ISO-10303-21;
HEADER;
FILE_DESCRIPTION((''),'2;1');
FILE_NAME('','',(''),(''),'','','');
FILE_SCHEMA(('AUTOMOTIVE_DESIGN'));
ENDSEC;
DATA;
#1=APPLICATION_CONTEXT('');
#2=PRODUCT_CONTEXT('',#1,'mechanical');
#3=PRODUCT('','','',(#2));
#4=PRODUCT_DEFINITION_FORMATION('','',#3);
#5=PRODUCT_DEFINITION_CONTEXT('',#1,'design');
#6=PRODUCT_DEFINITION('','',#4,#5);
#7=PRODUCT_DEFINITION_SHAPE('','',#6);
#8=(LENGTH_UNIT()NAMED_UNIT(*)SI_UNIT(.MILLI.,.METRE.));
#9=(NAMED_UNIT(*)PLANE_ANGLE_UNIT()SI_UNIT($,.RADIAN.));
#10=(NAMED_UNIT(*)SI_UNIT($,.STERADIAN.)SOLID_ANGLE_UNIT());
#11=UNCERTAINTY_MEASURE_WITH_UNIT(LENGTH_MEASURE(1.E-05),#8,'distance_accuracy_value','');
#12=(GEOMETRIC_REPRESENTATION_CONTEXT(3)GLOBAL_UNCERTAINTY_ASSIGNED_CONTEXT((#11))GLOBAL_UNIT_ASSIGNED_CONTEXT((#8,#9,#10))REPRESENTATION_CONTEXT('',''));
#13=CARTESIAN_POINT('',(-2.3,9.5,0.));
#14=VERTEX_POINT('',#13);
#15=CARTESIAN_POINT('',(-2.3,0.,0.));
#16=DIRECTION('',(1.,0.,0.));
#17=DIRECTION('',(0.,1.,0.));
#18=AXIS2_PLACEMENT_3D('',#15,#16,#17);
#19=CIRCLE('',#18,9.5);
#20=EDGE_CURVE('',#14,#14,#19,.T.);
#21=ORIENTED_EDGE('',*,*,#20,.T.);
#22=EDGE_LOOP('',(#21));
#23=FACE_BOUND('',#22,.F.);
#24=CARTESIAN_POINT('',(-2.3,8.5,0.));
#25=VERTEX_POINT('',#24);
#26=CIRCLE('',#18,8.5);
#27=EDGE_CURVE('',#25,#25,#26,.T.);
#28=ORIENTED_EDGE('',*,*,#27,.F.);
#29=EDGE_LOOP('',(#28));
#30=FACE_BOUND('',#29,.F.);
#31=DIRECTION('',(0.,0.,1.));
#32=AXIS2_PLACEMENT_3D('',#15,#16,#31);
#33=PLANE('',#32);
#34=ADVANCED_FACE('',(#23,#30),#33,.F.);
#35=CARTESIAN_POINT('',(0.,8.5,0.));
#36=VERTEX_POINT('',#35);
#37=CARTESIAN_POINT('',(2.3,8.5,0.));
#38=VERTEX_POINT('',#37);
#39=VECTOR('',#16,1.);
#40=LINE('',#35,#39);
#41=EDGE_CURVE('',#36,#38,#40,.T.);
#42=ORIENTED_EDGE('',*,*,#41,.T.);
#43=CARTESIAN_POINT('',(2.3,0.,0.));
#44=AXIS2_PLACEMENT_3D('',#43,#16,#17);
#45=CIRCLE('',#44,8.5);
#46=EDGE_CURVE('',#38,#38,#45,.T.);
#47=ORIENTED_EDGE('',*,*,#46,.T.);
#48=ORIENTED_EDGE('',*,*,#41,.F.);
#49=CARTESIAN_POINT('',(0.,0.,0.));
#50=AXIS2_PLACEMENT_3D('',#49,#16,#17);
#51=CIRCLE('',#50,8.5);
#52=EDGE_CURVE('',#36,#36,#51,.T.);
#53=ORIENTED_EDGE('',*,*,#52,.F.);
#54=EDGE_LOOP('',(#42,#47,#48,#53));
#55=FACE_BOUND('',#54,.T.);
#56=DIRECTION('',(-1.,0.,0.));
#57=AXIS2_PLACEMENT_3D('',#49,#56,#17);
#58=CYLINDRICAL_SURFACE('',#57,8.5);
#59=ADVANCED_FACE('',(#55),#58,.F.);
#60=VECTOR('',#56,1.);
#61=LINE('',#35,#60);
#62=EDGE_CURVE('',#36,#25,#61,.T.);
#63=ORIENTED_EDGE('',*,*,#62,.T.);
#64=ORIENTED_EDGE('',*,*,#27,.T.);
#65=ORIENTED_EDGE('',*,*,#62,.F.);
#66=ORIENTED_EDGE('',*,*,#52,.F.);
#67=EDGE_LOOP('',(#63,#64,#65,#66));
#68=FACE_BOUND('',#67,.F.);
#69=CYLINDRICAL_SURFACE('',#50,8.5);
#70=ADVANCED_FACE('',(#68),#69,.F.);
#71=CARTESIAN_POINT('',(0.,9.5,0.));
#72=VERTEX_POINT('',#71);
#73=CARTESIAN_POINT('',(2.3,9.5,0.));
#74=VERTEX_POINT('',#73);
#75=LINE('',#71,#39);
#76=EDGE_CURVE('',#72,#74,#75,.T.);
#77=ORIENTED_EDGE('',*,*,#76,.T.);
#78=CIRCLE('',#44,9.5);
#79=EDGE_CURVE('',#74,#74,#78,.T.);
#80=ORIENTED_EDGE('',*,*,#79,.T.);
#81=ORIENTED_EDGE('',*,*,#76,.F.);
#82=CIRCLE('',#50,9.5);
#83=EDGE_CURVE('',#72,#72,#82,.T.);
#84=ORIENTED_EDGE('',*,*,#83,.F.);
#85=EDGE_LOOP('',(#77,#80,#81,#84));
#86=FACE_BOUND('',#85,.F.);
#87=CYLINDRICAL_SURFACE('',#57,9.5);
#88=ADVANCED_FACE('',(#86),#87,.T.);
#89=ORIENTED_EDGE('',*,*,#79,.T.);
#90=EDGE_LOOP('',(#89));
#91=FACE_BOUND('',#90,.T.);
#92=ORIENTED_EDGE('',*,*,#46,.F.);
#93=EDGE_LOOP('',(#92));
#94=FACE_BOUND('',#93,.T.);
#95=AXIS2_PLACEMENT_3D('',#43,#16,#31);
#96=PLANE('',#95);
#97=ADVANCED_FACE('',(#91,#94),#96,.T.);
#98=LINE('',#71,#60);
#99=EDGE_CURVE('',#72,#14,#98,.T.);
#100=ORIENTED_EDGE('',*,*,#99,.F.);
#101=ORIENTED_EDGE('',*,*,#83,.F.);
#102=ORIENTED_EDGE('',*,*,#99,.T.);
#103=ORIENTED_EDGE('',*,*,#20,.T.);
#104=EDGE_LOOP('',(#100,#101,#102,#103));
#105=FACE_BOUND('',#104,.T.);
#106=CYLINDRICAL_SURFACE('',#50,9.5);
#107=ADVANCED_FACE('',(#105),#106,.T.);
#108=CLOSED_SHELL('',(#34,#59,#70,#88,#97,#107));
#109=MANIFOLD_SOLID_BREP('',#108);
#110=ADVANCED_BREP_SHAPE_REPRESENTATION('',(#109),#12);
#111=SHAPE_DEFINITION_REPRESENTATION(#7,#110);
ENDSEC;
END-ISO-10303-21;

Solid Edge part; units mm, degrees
sketch "Sketch1" plane through (0, 0, 0) normal (1, 0, 0) x (0, 1, 0)
  circle A0 centre (0, 0) radius 8.5
  circle A1 centre (0, 0) radius 9.5
  dimension "D1" = 17
  dimension "D2" = 19
extrude "Protrusion1" add sketch "Sketch1" along normal mid plane 4.6
properties material "Aluminiumlegierung:3.0205, Al 99.0, EN-AW 1200"
